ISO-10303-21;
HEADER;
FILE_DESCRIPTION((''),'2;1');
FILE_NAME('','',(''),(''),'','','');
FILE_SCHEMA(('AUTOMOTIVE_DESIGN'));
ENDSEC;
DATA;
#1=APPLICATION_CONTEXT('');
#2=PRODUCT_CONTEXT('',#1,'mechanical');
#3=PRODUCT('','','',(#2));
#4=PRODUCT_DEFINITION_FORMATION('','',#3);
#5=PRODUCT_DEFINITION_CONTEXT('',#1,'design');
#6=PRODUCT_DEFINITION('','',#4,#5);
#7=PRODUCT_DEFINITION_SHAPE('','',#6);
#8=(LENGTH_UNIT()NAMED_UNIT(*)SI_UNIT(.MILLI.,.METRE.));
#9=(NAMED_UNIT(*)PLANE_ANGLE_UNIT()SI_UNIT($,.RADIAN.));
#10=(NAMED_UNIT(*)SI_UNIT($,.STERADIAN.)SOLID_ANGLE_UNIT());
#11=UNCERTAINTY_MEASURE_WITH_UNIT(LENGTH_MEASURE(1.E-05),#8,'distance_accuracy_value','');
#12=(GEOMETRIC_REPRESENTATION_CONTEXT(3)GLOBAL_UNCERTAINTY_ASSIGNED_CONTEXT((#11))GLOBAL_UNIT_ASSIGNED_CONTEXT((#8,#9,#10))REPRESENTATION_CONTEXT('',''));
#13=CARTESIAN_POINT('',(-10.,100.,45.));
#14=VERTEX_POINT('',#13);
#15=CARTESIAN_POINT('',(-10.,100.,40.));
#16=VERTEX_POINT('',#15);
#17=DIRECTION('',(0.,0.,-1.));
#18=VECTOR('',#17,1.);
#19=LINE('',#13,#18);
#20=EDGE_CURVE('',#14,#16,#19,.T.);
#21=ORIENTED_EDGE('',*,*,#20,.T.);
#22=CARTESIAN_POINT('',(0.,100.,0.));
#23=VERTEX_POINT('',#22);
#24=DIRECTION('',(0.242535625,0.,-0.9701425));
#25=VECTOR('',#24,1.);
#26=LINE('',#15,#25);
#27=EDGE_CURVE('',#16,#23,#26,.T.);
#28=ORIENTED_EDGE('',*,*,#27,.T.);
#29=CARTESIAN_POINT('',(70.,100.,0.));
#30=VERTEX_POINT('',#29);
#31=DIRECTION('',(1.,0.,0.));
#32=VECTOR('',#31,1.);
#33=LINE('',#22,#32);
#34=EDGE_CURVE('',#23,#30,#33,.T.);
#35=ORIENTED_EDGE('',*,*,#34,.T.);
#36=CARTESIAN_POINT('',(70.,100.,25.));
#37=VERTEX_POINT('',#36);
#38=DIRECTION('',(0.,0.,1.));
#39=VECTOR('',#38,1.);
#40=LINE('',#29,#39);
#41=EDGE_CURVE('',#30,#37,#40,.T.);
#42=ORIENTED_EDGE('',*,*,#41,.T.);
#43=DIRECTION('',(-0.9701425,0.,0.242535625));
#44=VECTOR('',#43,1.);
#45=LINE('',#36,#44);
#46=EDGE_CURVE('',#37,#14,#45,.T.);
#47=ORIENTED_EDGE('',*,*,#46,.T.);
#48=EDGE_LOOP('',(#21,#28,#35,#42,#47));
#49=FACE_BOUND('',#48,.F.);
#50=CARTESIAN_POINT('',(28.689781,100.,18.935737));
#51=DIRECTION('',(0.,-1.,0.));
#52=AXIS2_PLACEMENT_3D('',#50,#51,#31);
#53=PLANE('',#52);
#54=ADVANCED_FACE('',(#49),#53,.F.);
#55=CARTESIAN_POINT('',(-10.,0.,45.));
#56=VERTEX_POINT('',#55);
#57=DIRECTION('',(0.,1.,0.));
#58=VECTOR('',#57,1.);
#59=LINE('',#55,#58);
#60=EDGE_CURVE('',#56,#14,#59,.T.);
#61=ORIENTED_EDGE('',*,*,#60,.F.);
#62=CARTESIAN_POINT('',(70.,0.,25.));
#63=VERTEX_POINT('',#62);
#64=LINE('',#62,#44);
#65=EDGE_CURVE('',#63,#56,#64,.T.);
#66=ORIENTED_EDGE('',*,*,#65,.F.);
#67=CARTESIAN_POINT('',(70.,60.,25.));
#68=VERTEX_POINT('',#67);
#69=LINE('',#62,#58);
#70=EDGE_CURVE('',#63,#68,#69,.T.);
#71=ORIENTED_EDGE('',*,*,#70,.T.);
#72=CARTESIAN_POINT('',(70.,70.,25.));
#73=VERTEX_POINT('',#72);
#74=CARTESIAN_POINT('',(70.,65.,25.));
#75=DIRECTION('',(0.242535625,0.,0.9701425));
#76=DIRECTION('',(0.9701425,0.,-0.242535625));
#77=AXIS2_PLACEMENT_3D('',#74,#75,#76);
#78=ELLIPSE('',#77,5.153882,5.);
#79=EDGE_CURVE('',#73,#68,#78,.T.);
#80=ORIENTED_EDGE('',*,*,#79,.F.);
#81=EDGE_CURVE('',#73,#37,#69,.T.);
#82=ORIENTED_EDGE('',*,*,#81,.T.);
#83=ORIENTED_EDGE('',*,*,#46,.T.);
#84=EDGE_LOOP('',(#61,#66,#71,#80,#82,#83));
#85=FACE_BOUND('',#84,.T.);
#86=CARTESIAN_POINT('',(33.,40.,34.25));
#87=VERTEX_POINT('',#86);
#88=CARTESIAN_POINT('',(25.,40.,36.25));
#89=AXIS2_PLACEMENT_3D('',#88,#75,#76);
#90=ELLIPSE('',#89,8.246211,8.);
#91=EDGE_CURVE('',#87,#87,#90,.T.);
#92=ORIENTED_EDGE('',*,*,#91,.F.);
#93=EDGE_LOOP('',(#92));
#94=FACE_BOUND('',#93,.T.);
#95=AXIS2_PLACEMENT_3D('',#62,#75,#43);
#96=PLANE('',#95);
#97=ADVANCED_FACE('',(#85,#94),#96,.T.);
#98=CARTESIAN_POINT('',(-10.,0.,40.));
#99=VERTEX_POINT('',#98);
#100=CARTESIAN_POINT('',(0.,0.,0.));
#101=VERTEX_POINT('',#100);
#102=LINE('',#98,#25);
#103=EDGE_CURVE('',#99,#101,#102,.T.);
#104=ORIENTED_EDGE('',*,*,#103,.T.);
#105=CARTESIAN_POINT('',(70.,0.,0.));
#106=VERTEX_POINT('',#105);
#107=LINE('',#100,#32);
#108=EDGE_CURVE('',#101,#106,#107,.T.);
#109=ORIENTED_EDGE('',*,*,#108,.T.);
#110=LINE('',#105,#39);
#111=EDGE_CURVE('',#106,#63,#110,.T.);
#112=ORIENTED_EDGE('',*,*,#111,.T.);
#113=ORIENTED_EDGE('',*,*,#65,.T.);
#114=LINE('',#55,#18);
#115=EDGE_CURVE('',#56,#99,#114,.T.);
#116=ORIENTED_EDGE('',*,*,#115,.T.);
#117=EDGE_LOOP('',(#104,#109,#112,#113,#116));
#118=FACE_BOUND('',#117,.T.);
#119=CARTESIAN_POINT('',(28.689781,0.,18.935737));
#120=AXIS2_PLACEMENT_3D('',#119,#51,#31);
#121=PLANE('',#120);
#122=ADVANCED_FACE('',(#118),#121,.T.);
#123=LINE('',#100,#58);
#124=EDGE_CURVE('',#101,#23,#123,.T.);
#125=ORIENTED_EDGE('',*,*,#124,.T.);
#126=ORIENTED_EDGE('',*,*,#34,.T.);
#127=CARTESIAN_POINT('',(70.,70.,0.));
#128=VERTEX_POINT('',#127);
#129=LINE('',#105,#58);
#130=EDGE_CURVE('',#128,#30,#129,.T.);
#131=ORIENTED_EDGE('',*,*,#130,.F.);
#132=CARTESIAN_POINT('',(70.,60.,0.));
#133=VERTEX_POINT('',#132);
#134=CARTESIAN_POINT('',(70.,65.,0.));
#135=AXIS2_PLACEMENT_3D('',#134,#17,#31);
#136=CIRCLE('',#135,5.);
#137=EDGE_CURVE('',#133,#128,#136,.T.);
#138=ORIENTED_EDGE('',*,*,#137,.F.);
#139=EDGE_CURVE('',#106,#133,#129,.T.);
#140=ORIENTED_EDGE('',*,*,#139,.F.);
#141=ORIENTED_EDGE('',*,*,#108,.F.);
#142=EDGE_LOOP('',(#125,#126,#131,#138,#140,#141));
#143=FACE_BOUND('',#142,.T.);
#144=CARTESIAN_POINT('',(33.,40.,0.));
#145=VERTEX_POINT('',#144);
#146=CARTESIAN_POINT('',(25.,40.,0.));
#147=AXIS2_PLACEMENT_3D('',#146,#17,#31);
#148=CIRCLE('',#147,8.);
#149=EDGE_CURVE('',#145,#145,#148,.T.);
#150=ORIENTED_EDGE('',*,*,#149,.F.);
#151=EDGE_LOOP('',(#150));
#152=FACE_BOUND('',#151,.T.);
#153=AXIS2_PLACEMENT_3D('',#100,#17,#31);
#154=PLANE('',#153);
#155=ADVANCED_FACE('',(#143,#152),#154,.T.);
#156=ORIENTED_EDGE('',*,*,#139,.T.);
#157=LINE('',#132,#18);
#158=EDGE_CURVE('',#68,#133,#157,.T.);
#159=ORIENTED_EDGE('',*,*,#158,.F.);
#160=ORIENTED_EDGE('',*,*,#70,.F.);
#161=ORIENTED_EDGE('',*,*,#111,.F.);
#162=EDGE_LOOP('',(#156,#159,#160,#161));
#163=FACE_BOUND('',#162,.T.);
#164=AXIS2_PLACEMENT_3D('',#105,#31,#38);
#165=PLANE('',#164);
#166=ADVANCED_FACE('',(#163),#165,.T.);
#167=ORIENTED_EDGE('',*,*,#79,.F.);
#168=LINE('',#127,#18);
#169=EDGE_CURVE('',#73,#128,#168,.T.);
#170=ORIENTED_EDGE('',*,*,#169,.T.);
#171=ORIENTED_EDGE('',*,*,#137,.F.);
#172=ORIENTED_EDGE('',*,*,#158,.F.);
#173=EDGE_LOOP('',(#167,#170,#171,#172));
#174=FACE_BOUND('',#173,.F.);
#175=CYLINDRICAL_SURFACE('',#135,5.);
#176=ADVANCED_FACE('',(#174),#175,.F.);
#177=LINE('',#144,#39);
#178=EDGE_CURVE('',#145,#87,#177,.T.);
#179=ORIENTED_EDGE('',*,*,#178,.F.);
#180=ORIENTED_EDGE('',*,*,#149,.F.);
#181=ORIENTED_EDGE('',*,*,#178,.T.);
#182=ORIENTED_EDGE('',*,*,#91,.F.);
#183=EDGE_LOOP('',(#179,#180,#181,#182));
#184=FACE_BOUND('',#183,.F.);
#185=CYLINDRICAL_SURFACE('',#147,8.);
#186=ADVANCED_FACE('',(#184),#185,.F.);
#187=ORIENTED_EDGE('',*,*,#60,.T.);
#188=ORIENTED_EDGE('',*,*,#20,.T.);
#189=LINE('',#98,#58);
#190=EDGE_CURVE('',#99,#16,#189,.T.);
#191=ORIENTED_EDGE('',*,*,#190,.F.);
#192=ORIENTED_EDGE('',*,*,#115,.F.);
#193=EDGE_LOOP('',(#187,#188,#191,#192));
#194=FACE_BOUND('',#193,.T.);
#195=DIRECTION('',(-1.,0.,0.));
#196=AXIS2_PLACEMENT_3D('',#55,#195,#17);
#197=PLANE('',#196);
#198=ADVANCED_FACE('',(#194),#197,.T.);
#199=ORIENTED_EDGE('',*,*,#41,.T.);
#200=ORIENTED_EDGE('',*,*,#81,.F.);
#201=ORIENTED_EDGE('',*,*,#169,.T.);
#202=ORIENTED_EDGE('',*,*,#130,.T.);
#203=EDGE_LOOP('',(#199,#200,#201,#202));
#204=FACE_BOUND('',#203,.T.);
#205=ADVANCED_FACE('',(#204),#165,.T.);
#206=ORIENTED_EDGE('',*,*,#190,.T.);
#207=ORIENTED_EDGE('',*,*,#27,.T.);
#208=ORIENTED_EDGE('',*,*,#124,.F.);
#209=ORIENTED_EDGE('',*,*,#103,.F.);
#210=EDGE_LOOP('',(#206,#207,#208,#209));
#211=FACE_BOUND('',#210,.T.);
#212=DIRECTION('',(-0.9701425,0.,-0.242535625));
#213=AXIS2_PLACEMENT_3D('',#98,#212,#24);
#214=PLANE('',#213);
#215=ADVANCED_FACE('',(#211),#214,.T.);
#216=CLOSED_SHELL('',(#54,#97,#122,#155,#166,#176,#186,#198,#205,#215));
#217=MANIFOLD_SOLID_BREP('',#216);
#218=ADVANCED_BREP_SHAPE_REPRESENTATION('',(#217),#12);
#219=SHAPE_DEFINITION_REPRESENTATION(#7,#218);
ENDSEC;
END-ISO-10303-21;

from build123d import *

# Parameters (mm, degrees)
F1_DEPTH = 100
F2_R     = 8
F3_DEPTH = 45.001
F4_R     = 5
F5_DEPTH = 45.001


with BuildPart() as f1:
    # F0 (on Front) → F1 (new body)
    with BuildSketch(Plane.XZ):
        Polygon((-10, 40), (0, 0), (70, 0), (70, 25), (-10, 45), align=None)
    extrude(amount=-F1_DEPTH)

    # F2 (on face) → F3 (cut, through all)
    with BuildSketch(Plane(origin=(0, 0, 0), x_dir=(1, 0, 0), z_dir=(0, 0, -1))):
        with Locations((25, -40)):
            Circle(F2_R)
    extrude(amount=-F3_DEPTH, mode=Mode.SUBTRACT)

    # F4 (on face) → F5 (cut, through all)
    with BuildSketch(Plane(origin=(0, 0, 0), x_dir=(1, 0, 0), z_dir=(0, 0, -1))):
        with Locations((70, -65)):
            Circle(F4_R)
    extrude(amount=-F5_DEPTH, mode=Mode.SUBTRACT)


solid = f1.part
